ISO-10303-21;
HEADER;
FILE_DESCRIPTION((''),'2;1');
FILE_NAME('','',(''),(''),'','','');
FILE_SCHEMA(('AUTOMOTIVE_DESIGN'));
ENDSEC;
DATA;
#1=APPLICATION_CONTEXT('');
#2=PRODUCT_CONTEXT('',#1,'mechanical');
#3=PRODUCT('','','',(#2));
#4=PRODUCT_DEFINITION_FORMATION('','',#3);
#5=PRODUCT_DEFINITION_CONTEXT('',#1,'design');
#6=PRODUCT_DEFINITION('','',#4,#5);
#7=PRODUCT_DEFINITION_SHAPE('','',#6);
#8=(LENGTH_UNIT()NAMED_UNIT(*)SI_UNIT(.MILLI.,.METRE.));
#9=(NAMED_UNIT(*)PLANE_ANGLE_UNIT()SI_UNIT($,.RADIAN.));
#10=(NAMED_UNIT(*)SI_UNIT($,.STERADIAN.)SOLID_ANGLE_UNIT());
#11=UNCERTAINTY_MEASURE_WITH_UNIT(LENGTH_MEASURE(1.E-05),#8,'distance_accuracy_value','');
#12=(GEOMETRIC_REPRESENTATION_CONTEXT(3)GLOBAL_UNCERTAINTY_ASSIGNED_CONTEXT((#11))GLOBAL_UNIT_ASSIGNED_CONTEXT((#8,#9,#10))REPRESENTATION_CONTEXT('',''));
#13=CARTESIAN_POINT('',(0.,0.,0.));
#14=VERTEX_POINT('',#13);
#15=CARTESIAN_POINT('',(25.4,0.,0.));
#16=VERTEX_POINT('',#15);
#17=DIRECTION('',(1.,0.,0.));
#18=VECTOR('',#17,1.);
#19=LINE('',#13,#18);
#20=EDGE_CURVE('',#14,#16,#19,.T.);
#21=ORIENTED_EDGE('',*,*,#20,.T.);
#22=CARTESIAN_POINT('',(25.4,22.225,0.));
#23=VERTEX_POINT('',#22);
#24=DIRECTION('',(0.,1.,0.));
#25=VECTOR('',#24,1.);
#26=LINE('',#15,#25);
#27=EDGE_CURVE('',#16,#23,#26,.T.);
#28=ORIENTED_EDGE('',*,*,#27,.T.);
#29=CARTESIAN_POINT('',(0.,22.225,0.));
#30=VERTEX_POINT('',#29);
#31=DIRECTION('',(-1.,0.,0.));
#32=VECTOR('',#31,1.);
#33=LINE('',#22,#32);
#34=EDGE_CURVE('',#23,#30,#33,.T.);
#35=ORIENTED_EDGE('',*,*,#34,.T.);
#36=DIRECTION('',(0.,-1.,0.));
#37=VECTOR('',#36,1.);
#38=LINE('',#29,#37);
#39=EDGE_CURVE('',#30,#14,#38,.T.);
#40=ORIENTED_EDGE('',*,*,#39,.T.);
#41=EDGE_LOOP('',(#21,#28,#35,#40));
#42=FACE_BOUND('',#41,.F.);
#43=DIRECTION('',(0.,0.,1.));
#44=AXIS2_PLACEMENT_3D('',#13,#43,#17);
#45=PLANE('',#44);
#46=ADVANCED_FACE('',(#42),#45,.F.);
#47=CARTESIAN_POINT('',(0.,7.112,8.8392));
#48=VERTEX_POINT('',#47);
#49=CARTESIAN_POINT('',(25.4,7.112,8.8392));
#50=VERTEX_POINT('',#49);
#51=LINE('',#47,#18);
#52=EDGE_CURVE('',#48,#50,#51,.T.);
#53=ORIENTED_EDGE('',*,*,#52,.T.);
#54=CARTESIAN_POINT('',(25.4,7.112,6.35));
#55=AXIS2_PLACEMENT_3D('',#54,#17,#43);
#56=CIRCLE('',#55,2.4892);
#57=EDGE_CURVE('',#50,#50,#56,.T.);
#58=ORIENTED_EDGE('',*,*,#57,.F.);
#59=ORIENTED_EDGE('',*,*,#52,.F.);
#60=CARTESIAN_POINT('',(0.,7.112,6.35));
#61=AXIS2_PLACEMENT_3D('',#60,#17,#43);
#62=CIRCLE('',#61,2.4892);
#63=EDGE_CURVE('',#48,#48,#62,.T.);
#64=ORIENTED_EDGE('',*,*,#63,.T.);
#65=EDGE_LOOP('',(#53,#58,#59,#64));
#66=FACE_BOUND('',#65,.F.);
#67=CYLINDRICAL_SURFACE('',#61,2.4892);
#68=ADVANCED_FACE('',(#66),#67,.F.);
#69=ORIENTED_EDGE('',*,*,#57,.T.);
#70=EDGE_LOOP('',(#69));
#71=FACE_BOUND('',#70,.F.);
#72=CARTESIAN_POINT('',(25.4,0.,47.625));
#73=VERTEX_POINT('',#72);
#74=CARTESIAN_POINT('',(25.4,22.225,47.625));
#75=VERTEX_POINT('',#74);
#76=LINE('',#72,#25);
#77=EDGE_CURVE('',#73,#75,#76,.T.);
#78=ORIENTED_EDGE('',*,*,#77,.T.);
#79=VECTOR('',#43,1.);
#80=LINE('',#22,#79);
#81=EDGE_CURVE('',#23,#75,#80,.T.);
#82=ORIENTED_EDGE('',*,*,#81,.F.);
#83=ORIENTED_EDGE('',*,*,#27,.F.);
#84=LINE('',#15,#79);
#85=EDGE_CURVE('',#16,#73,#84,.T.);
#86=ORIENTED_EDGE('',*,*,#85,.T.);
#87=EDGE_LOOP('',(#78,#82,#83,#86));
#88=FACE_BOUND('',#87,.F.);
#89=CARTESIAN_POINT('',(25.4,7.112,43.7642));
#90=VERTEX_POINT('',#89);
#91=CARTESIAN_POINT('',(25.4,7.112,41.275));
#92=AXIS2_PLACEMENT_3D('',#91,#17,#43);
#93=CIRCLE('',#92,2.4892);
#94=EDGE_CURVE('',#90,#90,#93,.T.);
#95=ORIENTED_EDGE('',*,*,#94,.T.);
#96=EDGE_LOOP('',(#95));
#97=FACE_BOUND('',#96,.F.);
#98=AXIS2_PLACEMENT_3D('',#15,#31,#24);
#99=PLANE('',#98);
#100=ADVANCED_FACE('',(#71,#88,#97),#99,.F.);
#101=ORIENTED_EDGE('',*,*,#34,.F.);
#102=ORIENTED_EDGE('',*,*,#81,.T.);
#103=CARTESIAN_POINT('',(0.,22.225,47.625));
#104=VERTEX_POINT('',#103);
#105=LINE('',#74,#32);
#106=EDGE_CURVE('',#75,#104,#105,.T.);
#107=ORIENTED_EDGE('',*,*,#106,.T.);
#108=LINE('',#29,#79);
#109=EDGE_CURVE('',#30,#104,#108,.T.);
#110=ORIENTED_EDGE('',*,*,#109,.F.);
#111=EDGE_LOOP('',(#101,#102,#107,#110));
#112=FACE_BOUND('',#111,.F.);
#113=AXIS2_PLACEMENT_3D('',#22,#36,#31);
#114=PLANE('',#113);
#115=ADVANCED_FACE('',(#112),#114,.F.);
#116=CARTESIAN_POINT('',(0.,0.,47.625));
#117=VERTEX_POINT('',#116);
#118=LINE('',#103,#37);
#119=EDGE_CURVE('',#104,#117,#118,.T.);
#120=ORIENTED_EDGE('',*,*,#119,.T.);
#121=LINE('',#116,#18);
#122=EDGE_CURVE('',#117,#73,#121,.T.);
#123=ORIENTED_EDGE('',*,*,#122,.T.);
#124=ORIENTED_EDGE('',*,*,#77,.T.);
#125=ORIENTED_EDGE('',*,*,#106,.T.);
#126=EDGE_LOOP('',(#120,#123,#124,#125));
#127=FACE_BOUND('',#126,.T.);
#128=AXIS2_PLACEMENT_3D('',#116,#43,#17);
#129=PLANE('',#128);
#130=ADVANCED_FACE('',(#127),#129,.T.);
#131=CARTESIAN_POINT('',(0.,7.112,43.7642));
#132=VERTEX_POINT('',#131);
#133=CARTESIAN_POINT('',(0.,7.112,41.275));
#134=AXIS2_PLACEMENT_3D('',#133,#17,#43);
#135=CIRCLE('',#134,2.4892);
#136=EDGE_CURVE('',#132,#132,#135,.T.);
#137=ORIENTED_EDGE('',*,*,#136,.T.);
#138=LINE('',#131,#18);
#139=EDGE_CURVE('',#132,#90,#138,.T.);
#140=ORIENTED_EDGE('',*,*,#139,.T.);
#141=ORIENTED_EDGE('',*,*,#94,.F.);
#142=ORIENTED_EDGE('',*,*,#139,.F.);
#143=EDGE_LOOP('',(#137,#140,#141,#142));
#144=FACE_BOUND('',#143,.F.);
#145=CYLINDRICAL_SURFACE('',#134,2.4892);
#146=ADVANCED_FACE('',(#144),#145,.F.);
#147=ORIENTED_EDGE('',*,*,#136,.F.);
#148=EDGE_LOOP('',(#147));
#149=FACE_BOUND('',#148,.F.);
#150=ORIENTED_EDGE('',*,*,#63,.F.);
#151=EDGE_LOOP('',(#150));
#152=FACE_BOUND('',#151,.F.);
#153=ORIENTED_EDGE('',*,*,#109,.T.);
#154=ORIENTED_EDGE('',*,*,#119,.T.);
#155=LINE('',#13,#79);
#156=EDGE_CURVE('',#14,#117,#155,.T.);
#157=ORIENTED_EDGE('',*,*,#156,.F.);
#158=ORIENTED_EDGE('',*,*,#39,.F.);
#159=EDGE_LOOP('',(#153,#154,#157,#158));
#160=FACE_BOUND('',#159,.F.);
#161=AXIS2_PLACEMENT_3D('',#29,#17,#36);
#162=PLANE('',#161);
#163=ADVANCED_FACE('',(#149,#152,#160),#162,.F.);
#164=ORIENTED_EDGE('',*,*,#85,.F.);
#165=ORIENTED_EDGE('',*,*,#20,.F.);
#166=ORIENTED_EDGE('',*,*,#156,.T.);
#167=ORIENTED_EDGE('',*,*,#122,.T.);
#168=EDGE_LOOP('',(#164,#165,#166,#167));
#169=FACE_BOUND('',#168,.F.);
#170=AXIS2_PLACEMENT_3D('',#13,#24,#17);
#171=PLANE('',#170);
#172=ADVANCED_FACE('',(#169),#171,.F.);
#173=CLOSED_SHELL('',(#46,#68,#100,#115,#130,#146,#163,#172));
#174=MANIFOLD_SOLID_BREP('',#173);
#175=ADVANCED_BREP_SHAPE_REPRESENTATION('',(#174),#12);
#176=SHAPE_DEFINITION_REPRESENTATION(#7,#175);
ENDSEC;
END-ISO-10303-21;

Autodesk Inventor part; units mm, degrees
ref_plane "YZ Plane" through (0, 0, 0) normal (1, 0, 0) x (0, 1, 0)
ref_plane "XZ Plane" through (0, 0, 0) normal (0, 1, 0) x (-1, 0, 0)
ref_plane "XY Plane" through (0, 0, 0) normal (0, 0, 1) x (1, 0, 0)
sketch "Sketch1" plane through (0, 0, 0) normal (0, 0, 1) x (1, 0, 0)
  line L0 (0, 0) -> (25.4, 0)
  line L1 (25.4, 0) -> (25.4, 22.225)
  line L2 (25.4, 22.225) -> (0, 22.225)
  line L3 (0, 22.225) -> (0, 0)
  dimension "d0" = 25.4
  dimension "d1" = 22.225
extrude "Extrusion1" add sketch "Sketch1" along normal blind 47.625
sketch "Sketch3" plane through (0, 0, 0) normal (-1, 0, 0) x (0, 0, 1)
  line L0 (0, 22.225) -> (0, 0) projected
  line L1 (0, 0) -> (47.625, 0) projected
  line L2 (47.625, 22.225) -> (47.625, 0) projected
  line L3 (0, 22.225) -> (47.625, 22.225) projected
  point P0 (41.275, 7.112)
  point P1 (6.35, 7.112)
  dimension "d15" = 7.112
  dimension "d16" = 7.112
  dimension "d17" = 34.925
  dimension "d18" = 6.35
hole "Hole2" at (0, 7.112, 41.275) at (0, 7.112, 6.35) direction (1, 0, 0) diameter 4.9784 end through all thread size "1/4-20 UNC" class "2B" standard "ANSI Unified Screw Threads"
properties part number "CHA_013_2inCrossPlug" material "Aluminum 6061"
